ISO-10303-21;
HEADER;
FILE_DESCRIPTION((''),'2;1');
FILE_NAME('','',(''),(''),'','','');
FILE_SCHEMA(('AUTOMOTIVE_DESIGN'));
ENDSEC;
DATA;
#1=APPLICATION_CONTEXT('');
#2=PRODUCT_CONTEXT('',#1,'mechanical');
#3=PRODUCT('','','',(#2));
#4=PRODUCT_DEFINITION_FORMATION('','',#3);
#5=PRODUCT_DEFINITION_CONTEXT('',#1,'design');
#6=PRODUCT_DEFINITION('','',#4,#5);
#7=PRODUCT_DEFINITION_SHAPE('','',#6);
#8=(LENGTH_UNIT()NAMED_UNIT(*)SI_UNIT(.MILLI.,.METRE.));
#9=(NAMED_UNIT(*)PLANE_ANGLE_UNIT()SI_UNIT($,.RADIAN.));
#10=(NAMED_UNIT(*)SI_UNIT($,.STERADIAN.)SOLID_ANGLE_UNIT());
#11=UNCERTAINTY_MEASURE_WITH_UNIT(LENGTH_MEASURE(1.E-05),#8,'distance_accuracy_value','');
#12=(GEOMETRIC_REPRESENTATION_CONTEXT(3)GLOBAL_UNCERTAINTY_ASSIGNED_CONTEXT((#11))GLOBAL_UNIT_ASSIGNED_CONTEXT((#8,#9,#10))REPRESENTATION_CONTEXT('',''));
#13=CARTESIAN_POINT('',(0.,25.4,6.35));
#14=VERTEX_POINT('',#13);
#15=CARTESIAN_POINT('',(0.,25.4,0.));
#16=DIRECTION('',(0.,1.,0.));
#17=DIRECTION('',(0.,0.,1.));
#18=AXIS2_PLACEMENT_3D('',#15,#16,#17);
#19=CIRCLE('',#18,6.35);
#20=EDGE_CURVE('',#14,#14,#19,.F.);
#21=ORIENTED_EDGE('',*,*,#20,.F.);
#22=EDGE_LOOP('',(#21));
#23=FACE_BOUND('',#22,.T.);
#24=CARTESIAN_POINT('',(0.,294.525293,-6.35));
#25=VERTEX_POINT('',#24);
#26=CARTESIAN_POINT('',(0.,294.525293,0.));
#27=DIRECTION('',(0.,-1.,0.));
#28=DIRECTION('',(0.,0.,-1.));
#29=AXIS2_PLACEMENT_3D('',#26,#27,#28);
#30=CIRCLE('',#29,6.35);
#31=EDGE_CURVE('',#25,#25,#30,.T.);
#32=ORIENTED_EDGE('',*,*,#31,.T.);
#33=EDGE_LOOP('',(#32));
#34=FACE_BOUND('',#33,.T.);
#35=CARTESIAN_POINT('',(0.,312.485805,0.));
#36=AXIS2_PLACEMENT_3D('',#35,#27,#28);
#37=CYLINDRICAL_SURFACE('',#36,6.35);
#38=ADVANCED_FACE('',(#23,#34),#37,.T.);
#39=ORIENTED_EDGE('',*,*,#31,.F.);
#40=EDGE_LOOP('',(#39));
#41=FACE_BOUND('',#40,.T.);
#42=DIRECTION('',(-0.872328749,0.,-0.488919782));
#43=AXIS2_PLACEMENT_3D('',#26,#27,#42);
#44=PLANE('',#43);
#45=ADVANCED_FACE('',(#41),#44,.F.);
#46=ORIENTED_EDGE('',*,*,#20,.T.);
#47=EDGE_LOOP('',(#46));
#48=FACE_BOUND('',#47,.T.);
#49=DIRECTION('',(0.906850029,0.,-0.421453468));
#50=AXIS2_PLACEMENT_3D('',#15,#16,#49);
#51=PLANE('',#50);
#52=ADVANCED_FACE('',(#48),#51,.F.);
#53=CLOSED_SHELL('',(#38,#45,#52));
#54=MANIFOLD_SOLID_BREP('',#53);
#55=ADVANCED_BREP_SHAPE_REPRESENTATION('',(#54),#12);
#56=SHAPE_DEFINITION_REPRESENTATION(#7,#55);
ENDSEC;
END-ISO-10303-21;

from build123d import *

# Parameters (mm, degrees)
BOSS_EXTRUDE2_DEPTH      = 134.562647
BOSS_EXTRUDE2_DEPTH_BACK = 134.562647
SKETCH2_R                = 6.35


with BuildPart() as part:
    # Sketch2 → Boss-Extrude2 (new, two sides: drawn at the far end of the back side and taken through both)
    with BuildSketch(Plane(origin=(0, 159.962646552, 0), x_dir=(1, 0, 0), z_dir=(0, 1, 0)).offset(-BOSS_EXTRUDE2_DEPTH_BACK)):
        with Locations(Location((0, 0, 0), (0, 0, 90))):
            Circle(SKETCH2_R)
    extrude(amount=BOSS_EXTRUDE2_DEPTH + BOSS_EXTRUDE2_DEPTH_BACK)


solid = part.part
